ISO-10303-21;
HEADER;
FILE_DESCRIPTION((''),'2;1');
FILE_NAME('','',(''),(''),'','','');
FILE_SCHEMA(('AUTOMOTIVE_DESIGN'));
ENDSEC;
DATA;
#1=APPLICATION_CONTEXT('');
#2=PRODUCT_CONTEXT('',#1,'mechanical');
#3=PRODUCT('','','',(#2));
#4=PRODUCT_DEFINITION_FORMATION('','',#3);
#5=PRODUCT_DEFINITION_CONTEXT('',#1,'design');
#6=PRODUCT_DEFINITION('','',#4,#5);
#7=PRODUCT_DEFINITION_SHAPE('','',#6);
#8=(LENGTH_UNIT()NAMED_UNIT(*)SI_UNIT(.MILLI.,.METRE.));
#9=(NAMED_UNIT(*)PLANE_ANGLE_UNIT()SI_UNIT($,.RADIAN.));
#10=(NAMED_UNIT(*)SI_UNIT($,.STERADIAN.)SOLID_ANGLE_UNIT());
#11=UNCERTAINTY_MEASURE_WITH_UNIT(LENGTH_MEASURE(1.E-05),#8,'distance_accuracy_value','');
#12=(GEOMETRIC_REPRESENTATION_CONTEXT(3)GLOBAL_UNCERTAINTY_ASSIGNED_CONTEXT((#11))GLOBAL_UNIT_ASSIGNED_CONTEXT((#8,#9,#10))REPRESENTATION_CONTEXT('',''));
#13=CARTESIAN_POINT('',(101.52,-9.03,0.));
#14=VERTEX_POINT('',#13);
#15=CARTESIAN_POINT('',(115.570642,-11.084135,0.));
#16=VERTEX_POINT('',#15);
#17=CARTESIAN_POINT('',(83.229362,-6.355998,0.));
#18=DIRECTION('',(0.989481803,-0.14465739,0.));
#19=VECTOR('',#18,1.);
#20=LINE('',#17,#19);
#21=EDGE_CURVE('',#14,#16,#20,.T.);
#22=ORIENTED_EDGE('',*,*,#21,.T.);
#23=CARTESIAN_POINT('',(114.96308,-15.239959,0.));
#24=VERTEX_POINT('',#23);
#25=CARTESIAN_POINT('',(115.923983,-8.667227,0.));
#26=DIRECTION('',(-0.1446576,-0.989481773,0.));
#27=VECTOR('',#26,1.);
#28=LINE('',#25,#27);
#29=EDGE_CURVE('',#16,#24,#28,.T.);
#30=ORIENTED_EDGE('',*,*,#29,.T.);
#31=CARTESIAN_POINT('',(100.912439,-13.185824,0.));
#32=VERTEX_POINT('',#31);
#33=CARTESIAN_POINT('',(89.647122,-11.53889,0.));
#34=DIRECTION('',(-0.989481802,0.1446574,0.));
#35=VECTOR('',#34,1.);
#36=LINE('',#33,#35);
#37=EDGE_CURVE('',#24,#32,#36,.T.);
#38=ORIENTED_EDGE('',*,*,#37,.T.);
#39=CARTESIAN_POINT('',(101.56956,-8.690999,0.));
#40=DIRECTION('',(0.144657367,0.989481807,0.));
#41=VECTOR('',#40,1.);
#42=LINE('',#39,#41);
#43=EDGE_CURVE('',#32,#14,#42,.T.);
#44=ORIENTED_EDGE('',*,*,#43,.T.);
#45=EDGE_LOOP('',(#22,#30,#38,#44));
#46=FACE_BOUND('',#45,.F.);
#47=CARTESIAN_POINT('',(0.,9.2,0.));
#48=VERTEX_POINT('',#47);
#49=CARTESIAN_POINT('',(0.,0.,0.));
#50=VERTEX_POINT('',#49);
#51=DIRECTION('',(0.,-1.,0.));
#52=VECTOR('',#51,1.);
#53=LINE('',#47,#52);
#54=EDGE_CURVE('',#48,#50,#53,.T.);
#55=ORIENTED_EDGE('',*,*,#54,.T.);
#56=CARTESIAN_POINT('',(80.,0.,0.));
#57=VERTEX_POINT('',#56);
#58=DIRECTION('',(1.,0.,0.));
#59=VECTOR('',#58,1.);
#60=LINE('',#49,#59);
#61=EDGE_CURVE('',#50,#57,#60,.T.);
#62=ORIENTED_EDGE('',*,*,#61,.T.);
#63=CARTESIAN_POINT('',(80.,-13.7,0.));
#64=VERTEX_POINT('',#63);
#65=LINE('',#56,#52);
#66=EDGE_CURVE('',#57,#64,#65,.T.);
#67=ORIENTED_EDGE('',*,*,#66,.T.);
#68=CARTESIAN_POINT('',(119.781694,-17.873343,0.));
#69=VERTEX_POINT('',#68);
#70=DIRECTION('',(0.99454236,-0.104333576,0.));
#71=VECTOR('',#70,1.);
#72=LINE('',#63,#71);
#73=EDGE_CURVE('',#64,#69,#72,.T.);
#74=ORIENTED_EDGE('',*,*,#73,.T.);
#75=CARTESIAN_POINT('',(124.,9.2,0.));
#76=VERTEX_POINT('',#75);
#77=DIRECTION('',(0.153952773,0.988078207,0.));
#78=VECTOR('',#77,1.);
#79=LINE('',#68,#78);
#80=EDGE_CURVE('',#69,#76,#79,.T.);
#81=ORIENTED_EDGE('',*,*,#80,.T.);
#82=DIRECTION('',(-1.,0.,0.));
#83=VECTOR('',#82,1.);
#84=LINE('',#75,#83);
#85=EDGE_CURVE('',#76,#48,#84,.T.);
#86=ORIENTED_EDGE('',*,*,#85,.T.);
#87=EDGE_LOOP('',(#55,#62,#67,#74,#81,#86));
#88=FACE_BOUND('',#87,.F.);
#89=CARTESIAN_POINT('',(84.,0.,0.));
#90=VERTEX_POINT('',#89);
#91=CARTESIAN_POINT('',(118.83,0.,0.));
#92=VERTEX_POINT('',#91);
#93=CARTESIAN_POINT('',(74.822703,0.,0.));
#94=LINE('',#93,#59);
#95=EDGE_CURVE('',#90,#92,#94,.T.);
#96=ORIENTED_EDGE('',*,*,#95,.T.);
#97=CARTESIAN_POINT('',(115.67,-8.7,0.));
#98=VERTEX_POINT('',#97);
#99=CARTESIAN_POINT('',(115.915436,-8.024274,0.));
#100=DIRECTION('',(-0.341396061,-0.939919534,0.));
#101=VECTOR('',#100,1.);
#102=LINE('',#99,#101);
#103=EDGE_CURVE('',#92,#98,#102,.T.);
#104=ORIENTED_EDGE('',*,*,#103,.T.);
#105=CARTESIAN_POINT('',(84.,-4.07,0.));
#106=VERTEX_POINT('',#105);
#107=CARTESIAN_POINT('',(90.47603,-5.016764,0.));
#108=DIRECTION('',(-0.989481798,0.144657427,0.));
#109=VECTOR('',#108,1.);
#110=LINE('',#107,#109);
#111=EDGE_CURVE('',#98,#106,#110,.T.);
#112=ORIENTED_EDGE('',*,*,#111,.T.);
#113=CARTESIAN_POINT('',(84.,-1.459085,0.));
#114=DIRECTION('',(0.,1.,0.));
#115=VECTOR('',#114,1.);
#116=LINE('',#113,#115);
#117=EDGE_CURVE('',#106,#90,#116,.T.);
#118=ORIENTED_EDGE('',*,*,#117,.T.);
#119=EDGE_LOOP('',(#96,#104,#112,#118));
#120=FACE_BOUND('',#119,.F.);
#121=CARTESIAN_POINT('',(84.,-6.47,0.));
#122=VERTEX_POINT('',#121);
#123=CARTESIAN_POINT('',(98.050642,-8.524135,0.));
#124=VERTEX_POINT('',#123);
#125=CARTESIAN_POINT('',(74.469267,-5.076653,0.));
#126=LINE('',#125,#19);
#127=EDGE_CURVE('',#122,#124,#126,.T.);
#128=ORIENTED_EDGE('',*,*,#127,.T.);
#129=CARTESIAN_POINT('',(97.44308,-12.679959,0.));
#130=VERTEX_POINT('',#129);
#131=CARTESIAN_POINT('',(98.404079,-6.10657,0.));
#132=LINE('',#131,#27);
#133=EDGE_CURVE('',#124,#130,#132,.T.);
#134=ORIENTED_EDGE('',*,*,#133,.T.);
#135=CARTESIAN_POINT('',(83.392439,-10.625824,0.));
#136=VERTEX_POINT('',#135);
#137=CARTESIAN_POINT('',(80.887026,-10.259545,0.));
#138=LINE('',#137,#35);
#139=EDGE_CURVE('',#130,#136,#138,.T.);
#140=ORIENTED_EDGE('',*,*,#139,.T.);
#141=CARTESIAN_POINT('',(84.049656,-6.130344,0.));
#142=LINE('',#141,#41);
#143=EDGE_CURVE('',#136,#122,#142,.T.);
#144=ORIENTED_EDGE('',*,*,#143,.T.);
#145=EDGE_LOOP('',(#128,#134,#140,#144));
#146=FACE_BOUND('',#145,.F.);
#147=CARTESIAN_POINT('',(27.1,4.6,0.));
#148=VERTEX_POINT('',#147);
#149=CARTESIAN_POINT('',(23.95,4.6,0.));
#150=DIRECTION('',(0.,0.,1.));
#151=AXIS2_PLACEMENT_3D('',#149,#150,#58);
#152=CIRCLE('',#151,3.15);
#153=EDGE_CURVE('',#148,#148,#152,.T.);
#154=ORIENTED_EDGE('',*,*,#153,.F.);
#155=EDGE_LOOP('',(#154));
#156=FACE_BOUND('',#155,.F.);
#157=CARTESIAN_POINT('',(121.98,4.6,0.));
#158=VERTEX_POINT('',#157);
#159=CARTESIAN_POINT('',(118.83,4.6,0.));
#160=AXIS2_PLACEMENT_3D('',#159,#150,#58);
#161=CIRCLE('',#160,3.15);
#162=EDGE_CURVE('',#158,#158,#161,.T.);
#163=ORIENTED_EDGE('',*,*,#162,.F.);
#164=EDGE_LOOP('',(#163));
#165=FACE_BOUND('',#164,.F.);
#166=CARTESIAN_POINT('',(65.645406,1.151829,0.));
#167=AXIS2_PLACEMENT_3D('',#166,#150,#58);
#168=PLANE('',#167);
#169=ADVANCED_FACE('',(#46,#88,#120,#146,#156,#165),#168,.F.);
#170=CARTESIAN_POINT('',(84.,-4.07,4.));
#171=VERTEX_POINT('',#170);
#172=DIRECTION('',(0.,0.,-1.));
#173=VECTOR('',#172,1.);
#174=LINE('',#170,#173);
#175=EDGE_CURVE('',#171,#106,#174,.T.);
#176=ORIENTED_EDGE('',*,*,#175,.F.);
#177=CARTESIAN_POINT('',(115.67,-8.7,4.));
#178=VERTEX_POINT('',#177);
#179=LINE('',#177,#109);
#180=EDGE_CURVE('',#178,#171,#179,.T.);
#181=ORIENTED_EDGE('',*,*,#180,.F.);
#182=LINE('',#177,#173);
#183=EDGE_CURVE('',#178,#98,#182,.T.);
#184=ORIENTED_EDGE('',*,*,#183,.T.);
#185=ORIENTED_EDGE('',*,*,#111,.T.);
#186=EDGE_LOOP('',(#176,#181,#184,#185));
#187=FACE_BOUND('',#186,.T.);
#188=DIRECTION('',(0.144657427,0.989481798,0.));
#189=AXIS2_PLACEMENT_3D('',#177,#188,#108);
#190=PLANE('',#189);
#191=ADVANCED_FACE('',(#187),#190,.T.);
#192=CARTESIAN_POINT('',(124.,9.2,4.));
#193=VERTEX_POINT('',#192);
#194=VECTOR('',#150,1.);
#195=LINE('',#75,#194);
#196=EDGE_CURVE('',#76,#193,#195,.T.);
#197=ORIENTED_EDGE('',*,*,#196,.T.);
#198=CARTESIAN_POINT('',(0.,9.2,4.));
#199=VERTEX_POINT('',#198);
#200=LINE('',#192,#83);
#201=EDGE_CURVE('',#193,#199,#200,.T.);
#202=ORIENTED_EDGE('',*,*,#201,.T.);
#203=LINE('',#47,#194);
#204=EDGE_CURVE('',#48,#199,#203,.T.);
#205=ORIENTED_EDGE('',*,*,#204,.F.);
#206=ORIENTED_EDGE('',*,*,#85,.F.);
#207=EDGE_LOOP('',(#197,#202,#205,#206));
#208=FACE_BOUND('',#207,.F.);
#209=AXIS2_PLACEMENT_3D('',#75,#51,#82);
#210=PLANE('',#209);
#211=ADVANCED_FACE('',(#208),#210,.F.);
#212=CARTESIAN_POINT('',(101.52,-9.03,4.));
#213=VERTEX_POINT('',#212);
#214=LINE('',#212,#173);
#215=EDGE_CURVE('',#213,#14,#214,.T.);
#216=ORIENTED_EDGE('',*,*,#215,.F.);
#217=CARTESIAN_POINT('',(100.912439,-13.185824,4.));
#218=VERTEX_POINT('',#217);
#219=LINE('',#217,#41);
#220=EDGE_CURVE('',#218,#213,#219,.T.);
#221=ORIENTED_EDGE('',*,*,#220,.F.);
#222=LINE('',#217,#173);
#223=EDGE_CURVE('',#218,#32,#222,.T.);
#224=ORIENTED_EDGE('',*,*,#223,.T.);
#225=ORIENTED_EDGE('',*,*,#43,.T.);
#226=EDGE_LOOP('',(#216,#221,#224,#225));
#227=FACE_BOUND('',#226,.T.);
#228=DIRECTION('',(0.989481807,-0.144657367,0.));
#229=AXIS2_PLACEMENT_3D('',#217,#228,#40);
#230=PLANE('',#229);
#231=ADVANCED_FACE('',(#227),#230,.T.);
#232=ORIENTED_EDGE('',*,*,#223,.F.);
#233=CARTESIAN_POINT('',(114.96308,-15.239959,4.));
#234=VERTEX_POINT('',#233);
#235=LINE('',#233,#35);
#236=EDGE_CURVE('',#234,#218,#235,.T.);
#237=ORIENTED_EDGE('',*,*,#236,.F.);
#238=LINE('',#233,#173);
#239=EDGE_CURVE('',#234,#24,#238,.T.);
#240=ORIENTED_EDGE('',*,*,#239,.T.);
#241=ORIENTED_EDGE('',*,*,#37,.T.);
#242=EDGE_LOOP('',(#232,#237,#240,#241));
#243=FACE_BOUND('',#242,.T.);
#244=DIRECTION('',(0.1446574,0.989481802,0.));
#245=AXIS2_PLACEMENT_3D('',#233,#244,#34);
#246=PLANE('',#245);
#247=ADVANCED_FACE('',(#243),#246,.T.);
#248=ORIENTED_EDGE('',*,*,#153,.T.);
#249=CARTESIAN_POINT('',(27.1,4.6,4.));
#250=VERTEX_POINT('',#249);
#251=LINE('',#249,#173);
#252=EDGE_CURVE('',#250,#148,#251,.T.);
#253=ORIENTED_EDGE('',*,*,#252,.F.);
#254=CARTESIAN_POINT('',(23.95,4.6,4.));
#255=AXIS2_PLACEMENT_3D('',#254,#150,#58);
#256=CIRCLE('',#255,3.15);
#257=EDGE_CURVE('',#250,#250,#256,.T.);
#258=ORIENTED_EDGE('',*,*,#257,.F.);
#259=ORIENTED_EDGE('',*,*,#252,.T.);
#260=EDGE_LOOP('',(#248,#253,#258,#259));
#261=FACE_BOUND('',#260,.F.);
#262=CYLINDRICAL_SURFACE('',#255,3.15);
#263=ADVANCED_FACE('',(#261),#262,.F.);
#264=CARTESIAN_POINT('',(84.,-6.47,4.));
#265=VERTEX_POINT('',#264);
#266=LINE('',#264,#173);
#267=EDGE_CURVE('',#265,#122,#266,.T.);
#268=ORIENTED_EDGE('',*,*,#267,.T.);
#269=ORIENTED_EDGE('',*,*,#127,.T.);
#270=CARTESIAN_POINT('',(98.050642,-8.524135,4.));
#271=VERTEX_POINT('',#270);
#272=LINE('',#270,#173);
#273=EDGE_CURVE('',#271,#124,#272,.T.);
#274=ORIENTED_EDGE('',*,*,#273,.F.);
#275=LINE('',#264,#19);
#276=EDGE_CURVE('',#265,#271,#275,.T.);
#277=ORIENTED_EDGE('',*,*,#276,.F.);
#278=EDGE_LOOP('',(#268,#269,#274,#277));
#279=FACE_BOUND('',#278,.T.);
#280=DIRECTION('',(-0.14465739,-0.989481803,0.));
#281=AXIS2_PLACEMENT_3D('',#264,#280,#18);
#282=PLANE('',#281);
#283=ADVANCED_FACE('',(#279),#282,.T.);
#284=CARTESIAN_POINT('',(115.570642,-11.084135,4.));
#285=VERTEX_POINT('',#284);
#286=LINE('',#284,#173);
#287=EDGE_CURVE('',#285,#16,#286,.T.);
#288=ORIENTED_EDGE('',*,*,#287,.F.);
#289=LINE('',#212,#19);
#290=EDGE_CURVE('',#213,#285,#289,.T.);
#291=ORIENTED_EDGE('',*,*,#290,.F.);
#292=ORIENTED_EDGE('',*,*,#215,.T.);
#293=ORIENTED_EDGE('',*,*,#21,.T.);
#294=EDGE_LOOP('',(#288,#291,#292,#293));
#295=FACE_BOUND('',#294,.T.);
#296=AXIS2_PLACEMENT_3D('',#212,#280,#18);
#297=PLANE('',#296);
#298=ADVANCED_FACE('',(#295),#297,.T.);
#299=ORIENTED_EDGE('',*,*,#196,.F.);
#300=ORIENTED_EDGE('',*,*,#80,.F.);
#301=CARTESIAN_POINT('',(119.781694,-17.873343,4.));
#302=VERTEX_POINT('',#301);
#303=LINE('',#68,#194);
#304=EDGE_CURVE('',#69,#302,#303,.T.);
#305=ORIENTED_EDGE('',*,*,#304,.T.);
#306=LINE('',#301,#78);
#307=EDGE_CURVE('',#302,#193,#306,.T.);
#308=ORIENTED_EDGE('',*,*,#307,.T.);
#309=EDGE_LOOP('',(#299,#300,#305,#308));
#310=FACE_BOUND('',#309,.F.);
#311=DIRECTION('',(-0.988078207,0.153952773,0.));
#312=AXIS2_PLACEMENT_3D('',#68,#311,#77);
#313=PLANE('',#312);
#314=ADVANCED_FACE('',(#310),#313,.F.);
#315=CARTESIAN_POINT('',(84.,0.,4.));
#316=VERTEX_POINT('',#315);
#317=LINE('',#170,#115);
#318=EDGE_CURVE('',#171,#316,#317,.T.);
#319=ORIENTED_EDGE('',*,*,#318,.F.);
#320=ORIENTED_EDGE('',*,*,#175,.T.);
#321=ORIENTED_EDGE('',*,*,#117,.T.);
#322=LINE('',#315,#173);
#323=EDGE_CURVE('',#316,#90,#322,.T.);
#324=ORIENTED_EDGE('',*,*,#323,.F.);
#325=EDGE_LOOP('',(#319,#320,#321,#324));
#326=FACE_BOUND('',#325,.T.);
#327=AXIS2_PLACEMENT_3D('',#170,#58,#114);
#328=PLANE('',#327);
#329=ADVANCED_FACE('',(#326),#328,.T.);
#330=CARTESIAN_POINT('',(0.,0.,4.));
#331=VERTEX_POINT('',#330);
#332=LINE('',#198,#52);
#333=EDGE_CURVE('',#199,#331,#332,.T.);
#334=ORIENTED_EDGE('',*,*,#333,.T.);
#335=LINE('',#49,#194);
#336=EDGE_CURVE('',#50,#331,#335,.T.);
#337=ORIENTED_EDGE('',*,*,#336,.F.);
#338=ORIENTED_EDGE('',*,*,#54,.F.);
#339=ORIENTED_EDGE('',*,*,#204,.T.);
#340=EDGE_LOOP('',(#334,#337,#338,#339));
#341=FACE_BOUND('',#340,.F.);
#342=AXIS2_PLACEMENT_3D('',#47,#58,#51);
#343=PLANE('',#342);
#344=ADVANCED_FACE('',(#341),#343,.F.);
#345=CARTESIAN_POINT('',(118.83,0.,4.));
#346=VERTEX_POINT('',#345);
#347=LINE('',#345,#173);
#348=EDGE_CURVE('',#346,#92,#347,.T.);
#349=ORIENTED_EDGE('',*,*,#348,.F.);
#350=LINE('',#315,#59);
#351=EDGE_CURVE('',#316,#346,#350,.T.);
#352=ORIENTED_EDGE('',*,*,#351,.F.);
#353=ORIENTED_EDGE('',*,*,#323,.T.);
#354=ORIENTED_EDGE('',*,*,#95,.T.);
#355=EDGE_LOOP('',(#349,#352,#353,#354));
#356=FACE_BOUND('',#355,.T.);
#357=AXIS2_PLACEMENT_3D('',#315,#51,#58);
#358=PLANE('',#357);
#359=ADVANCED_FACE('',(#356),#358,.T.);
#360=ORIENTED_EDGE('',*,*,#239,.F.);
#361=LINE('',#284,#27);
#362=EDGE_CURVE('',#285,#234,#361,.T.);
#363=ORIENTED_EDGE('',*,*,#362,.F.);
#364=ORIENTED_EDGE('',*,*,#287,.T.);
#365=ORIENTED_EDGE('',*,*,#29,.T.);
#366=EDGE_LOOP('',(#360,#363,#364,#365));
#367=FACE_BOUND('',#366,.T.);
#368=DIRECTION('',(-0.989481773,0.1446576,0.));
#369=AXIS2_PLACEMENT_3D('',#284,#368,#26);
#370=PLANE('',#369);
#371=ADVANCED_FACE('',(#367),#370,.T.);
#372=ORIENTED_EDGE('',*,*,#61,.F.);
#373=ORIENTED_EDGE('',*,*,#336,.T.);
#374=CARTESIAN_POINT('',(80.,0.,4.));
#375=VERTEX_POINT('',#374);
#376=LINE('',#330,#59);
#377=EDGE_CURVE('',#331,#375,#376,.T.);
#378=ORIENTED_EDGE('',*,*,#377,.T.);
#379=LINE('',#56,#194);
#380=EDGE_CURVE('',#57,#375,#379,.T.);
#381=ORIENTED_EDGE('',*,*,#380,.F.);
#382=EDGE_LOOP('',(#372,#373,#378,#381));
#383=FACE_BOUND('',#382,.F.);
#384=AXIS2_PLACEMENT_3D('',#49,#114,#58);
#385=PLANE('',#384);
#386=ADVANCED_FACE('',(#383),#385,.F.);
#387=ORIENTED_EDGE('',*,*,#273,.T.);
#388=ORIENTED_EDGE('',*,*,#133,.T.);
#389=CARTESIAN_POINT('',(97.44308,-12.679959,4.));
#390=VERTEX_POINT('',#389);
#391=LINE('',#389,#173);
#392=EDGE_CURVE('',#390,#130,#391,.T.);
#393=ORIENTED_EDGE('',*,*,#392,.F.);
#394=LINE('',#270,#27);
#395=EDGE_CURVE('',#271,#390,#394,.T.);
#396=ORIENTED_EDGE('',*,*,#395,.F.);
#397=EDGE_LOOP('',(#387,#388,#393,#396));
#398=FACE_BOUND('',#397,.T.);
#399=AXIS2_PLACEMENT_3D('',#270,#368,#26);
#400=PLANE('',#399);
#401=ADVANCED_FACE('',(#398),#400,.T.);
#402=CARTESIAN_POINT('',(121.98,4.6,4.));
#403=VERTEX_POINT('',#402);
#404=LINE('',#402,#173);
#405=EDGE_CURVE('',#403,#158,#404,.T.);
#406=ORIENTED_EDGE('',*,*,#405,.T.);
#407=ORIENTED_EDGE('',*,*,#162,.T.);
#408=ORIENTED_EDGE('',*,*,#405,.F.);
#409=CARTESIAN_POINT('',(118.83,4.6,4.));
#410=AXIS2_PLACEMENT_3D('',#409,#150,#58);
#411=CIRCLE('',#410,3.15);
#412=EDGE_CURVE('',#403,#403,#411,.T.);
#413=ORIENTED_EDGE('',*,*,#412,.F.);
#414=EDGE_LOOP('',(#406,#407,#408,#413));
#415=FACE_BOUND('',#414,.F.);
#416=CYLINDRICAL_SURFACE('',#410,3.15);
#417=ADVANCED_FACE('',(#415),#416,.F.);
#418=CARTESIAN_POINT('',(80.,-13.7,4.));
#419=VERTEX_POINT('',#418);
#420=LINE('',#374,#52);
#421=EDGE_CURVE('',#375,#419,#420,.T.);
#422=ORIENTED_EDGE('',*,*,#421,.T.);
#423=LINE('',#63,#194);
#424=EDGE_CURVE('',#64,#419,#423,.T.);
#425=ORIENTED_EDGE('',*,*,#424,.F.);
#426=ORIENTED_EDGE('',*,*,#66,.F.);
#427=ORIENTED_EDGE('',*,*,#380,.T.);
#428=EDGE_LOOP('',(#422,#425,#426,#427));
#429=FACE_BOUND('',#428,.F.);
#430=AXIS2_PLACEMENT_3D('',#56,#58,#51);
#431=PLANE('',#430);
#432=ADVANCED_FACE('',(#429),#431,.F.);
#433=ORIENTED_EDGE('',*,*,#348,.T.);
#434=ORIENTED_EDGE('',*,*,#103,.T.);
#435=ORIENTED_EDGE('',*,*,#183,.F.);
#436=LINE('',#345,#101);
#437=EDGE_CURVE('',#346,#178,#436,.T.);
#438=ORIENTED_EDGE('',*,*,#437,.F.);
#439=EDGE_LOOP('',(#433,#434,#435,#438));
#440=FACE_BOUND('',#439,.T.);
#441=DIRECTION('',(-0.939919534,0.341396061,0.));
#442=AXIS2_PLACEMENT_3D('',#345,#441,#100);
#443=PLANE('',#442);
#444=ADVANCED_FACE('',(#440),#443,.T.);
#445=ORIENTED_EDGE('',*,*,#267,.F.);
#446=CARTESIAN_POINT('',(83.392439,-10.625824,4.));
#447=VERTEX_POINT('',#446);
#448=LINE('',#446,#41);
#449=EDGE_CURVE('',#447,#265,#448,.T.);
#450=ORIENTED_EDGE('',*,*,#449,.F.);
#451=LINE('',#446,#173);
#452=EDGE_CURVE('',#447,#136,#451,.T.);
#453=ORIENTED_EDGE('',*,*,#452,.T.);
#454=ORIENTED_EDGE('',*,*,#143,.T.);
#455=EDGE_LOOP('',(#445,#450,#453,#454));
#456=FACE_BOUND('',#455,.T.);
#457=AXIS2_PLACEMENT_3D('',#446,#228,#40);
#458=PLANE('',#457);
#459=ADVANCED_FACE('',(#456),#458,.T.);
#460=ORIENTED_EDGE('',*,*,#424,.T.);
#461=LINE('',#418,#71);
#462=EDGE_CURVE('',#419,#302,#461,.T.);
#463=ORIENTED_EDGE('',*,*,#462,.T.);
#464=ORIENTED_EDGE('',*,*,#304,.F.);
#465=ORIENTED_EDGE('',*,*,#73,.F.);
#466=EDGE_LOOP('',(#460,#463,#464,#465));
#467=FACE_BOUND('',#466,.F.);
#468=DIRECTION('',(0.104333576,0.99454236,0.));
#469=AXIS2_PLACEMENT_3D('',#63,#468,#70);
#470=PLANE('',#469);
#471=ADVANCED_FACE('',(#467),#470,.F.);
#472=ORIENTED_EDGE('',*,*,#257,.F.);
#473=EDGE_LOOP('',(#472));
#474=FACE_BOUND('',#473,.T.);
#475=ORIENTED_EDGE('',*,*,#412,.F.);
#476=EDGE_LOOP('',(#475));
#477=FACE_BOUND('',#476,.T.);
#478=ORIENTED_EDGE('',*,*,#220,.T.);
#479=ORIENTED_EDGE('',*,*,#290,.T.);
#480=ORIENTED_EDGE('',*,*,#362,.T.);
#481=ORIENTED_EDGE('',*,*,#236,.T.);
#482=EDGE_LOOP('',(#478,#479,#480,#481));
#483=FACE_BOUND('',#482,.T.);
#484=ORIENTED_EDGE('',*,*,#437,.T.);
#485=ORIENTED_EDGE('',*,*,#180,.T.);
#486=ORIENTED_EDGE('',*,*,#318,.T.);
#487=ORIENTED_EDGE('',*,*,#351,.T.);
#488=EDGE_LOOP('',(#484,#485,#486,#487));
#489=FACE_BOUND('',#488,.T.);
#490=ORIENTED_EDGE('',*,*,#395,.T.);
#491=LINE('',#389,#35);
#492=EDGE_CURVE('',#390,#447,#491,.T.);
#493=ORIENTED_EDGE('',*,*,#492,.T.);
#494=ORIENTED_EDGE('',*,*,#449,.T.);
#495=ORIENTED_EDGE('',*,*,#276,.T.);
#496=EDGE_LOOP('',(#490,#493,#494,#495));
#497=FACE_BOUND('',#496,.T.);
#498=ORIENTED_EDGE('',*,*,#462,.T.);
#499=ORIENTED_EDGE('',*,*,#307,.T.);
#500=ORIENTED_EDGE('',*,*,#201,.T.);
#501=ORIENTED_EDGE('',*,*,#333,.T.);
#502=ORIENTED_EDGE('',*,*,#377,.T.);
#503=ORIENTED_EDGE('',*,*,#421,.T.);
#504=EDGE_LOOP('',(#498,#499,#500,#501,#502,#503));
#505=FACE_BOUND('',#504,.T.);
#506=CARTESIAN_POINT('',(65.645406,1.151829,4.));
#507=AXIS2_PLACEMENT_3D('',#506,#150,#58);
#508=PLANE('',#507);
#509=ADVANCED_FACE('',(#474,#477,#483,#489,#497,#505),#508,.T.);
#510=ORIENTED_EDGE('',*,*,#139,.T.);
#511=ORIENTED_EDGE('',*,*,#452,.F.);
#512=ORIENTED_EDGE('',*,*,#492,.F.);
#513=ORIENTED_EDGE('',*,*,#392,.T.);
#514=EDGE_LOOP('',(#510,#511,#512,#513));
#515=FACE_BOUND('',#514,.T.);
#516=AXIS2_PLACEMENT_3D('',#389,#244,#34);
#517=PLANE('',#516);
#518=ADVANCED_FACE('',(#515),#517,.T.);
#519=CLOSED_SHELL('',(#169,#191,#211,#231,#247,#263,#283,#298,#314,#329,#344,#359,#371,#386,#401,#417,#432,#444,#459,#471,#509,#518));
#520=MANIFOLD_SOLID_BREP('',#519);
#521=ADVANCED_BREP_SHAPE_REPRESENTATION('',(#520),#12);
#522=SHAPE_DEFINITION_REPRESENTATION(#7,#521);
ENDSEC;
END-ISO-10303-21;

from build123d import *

# Parameters (mm, degrees)
PAD_DEPTH    = 4
SKETCH001_R  = 3.15
POCKET_DEPTH = 5


with BuildPart() as part:
    # Sketch → Pad (new body)
    with BuildSketch(Plane.XY):
        Polygon((0, 9.2), (0, 0), (80, 0), (80, -13.7), (119.781694, -17.873343), (124, 9.2), align=None)
    extrude(amount=PAD_DEPTH)

    # Sketch001 (on DatumPlane) → Pocket (cut)
    with BuildSketch(Plane.XY.offset(4)):
        with Locations((23.95, 4.6)):
            Circle(SKETCH001_R)
        with Locations((118.83, 4.6)):
            Circle(SKETCH001_R)
        Polygon((84, 0), (118.83, 0), (115.67, -8.7), (84, -4.07), align=None)
        Polygon((84, -6.47), (98.050642, -8.524135), (97.44308, -12.679959), (83.392439, -10.625824), align=None)
        Polygon((101.52, -9.03), (115.570642, -11.084135), (114.96308, -15.239959), (100.912439, -13.185824), align=None)
    extrude(amount=-POCKET_DEPTH, mode=Mode.SUBTRACT)


solid = part.part
